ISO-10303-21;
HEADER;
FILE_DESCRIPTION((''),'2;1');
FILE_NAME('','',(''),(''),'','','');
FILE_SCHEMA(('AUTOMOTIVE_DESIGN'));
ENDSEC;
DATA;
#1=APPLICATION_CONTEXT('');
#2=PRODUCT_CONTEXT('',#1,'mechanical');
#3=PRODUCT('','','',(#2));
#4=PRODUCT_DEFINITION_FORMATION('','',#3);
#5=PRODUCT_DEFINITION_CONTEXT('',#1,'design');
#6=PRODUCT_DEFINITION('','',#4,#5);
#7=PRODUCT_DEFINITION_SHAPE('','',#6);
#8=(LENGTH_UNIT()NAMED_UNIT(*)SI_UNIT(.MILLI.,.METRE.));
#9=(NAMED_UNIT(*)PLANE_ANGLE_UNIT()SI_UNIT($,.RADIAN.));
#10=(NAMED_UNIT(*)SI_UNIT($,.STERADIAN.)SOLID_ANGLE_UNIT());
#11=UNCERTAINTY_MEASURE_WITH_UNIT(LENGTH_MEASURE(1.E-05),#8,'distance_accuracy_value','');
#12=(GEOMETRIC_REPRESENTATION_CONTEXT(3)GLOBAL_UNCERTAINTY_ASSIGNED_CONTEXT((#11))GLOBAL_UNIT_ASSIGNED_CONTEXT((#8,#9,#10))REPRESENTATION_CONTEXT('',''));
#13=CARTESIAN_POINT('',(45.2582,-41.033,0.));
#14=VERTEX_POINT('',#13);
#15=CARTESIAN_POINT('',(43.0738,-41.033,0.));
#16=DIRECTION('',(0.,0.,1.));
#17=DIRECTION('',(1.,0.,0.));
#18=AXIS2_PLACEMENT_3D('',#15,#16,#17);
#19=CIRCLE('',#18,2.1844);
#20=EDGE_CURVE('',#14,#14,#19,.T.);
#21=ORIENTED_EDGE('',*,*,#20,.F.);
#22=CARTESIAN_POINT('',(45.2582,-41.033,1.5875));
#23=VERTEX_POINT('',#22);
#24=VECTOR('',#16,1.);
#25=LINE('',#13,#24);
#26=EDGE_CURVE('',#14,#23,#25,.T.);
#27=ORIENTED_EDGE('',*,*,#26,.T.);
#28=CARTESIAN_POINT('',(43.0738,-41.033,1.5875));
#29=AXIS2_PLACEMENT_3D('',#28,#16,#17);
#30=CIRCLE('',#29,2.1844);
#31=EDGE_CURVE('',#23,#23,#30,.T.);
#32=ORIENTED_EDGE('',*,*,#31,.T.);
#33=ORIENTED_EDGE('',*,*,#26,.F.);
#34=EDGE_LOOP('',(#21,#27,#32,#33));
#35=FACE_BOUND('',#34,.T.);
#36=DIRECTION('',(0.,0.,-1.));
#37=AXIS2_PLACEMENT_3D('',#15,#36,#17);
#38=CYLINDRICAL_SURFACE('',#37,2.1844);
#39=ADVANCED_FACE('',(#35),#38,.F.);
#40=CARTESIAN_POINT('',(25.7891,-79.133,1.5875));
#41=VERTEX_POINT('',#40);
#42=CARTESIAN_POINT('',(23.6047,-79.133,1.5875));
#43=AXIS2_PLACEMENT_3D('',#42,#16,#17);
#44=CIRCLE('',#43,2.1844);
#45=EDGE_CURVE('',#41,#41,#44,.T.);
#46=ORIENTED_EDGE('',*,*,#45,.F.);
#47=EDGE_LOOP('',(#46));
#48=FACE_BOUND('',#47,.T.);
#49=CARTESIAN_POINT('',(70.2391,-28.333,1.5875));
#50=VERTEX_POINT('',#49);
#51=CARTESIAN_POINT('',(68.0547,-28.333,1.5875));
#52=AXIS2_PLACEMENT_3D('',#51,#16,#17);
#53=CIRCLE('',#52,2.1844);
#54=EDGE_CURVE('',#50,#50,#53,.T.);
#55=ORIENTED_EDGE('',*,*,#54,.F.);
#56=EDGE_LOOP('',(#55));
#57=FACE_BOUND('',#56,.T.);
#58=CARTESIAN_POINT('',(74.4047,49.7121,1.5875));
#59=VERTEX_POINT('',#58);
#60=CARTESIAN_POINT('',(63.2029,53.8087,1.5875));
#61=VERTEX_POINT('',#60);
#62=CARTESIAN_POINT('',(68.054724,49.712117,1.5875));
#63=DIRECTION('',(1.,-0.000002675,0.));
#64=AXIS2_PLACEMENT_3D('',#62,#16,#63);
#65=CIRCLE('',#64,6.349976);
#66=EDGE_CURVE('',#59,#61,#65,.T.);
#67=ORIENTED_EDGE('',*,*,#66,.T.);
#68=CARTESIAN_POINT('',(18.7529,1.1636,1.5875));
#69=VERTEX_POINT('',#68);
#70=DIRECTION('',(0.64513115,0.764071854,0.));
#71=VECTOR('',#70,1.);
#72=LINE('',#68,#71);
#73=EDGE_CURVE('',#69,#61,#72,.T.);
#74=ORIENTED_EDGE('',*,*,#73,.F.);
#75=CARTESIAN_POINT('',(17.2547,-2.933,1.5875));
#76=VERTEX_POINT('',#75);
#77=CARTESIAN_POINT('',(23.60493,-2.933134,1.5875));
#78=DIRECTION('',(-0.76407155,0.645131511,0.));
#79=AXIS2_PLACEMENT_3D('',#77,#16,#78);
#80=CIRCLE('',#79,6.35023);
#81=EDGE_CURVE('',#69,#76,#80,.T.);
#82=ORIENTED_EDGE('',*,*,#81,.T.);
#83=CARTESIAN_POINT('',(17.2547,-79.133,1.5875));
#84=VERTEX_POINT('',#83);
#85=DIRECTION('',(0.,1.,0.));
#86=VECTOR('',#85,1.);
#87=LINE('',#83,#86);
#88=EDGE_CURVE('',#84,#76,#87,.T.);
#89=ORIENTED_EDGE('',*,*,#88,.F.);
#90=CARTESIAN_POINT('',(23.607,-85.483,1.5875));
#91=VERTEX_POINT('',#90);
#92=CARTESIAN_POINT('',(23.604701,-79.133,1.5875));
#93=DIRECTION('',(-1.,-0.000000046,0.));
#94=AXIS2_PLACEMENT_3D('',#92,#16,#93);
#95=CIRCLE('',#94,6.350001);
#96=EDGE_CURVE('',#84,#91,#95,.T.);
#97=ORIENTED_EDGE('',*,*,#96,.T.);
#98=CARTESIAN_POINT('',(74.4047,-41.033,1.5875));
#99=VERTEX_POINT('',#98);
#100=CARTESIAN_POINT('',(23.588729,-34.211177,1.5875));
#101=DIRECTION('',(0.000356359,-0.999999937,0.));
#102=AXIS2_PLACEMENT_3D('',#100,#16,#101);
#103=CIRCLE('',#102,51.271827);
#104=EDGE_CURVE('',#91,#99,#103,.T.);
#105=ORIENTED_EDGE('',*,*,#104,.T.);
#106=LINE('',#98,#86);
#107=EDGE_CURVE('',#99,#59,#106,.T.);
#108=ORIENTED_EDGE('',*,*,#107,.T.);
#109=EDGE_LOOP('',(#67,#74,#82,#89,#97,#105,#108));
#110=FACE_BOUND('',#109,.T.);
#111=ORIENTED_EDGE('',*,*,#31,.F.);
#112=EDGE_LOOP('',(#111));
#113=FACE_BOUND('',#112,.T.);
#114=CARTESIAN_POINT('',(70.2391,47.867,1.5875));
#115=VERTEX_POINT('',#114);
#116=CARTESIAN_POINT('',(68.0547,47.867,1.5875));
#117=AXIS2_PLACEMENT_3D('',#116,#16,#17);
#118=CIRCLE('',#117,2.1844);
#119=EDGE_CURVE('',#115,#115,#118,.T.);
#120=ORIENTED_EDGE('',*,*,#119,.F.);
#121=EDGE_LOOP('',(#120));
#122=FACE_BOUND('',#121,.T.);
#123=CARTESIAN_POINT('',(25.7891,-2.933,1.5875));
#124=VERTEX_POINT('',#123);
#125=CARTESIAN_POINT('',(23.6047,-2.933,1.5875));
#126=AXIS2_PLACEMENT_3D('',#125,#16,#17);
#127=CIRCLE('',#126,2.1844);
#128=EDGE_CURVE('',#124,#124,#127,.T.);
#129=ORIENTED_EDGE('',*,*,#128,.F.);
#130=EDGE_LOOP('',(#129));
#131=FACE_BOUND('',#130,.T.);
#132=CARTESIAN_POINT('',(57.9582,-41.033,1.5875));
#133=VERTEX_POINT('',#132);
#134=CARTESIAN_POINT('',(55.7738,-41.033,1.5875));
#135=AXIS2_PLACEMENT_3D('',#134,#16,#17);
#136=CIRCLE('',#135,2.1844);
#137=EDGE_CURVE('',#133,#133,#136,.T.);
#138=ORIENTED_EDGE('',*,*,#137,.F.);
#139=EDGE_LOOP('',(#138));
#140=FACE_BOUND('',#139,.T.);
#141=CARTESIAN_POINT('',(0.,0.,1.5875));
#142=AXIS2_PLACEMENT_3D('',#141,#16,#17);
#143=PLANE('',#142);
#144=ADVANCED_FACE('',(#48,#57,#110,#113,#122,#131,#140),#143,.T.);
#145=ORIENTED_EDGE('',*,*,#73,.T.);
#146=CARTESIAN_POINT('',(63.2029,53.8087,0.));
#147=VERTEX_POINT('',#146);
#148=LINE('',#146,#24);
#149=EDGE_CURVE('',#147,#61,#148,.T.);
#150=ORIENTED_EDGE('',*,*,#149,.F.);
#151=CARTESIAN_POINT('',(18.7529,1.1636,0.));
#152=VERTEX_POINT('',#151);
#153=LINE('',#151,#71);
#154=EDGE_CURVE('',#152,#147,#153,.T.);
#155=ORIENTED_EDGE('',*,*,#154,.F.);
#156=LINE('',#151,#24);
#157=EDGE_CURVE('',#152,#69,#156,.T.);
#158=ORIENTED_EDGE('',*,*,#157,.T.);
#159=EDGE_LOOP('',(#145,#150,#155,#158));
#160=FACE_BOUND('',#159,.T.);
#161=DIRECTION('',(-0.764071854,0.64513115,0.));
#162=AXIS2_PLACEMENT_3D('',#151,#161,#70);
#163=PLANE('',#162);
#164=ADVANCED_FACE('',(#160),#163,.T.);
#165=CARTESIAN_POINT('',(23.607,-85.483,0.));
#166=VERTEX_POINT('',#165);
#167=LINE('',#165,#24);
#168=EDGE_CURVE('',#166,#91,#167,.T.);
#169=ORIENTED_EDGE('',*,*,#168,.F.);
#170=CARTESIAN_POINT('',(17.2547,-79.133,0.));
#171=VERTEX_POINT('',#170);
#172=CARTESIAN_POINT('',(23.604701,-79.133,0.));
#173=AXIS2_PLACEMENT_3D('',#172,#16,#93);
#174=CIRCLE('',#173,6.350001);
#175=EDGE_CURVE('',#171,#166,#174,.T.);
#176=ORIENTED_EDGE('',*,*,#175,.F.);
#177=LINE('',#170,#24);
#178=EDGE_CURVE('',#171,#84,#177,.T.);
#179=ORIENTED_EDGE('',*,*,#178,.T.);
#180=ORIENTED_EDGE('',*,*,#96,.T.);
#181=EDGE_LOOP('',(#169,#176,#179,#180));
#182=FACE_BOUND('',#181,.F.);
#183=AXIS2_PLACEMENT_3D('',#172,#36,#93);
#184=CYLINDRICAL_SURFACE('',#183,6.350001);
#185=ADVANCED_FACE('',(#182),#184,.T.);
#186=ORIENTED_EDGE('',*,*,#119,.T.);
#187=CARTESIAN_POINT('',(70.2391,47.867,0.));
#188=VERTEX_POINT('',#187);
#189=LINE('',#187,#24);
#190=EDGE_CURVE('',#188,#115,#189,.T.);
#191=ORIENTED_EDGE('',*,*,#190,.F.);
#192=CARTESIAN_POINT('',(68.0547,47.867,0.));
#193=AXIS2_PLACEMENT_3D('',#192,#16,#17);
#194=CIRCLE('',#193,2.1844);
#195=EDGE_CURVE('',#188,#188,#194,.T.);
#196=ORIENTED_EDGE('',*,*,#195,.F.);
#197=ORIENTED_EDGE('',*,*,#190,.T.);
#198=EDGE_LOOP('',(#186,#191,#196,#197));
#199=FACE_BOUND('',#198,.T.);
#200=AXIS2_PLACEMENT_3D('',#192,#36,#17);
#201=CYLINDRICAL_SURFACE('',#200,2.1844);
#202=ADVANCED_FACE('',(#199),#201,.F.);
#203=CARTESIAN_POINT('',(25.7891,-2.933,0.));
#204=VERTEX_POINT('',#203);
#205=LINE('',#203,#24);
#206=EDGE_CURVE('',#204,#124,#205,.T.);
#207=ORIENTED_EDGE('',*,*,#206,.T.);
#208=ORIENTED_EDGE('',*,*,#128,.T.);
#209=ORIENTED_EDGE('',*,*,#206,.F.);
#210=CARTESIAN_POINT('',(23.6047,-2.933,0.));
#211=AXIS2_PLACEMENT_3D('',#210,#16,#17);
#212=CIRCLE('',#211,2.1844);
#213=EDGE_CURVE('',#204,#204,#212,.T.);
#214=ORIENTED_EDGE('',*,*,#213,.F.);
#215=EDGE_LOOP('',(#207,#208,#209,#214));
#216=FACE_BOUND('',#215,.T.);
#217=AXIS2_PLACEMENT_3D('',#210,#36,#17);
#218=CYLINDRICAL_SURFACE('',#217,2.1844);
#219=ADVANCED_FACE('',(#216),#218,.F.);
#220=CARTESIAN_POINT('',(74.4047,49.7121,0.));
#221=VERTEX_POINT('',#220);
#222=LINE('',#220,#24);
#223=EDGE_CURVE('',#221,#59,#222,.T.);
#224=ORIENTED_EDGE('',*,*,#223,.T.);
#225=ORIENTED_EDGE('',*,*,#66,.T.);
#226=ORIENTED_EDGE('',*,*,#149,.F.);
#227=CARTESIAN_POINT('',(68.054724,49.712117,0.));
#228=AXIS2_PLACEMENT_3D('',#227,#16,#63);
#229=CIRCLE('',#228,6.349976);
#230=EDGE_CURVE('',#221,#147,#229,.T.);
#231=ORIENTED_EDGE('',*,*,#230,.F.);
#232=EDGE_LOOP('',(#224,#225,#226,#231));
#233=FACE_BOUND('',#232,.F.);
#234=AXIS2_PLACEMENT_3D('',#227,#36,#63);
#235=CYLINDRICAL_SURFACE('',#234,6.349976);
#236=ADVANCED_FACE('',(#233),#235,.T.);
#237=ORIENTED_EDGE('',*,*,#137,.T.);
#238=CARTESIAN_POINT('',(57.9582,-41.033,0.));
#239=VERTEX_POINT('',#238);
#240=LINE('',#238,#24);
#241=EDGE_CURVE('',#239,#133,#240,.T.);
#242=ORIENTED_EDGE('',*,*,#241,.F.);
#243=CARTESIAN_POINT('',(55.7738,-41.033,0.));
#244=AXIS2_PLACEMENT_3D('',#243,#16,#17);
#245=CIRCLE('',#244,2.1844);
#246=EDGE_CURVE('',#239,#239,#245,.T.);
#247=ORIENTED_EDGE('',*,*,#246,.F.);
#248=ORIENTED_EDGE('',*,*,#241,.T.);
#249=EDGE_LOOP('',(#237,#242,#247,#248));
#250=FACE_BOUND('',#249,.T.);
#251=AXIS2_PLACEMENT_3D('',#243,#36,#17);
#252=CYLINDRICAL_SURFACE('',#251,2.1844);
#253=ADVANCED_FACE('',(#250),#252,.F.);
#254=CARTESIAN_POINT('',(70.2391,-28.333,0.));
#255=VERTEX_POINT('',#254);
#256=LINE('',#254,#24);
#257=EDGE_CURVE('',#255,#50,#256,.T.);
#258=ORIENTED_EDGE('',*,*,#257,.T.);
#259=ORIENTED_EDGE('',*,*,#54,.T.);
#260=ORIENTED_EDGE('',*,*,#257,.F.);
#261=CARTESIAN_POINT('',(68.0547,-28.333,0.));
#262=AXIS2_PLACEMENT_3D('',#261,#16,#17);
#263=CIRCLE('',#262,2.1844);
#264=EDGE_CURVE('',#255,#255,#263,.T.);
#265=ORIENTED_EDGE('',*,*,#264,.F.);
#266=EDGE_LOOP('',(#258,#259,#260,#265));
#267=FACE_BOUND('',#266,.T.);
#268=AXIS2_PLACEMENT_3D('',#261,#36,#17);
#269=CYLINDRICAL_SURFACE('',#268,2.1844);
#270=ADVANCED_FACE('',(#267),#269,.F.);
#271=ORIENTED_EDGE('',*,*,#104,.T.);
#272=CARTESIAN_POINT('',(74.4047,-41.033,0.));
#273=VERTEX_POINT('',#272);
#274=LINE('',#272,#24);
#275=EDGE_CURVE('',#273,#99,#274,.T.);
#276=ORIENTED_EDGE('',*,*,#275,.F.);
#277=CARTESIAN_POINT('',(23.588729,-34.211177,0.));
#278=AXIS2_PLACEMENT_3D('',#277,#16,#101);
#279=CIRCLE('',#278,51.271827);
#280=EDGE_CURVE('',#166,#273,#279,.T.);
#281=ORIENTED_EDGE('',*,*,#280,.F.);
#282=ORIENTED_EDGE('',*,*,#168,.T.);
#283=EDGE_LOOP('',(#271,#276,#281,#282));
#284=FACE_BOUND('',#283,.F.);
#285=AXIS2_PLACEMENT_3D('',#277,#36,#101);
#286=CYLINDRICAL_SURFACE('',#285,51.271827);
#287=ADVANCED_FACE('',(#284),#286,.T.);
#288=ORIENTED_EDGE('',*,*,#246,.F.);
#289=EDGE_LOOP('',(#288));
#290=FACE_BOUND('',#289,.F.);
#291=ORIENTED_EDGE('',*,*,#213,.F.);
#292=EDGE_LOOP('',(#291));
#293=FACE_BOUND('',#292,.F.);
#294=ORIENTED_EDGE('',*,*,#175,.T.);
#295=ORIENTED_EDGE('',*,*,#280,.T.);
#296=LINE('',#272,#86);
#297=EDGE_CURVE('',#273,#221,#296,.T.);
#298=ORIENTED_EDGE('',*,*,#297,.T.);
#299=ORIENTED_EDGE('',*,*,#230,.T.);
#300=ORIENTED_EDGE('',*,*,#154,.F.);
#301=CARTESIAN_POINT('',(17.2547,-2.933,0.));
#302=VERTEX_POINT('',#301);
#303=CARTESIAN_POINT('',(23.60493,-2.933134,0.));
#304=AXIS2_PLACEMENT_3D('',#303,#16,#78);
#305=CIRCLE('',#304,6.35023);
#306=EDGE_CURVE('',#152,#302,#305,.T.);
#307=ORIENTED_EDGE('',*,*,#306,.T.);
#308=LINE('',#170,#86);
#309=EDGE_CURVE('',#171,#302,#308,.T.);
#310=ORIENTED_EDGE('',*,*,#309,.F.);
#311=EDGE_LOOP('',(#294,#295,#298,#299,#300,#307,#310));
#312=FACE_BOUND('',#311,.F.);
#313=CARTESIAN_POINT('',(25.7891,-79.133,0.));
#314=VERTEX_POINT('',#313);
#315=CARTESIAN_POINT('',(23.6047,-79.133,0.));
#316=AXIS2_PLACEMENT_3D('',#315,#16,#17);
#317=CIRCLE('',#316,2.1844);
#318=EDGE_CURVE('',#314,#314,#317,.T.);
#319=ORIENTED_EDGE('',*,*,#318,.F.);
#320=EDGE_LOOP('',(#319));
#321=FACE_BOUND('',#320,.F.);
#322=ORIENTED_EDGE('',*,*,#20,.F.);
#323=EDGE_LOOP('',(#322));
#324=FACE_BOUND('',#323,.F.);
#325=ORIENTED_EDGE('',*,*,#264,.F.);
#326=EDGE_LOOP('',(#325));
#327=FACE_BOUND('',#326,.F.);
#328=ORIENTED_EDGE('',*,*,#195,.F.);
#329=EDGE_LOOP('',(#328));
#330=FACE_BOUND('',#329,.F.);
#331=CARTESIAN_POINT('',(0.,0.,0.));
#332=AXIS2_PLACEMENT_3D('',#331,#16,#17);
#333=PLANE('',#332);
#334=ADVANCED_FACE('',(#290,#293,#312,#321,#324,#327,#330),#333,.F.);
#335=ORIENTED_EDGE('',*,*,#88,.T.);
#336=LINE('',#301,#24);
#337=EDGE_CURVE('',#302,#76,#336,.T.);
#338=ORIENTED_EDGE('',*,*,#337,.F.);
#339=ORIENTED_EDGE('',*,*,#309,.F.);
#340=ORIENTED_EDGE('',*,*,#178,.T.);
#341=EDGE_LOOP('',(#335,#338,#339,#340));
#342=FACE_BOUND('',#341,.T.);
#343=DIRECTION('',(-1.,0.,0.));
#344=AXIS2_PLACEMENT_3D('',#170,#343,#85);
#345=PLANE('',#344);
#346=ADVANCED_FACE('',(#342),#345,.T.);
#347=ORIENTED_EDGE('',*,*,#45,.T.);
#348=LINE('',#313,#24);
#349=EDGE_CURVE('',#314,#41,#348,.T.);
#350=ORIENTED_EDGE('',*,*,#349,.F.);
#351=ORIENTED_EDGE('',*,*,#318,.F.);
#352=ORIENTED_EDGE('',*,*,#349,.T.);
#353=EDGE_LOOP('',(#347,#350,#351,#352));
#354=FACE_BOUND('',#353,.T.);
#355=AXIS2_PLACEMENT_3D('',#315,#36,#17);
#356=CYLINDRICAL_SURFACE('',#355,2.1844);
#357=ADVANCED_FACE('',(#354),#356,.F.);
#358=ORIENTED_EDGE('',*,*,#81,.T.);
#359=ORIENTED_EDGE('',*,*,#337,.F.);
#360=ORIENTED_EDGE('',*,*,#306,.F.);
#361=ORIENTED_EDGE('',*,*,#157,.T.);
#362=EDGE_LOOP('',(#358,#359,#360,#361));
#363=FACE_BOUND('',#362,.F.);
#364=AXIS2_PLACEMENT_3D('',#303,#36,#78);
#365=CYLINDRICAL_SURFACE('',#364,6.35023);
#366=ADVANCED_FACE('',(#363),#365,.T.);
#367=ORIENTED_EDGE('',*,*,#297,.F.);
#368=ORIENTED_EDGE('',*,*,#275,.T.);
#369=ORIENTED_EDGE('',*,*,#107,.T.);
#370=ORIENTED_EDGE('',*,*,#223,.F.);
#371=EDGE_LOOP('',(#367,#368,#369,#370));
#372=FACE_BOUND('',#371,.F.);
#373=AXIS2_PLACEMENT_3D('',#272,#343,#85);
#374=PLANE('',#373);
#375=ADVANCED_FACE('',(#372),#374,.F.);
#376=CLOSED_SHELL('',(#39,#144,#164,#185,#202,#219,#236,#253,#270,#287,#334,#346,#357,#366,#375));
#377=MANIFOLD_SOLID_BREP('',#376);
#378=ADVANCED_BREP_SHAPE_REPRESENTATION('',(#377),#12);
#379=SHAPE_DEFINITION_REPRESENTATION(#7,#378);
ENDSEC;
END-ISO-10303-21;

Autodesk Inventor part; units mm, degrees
ref_plane "YZ Plane" through (0, 0, 0) normal (1, 0, 0) x (0, 1, 0)
ref_plane "XZ Plane" through (0, 0, 0) normal (0, 1, 0) x (-1, 0, 0)
ref_plane "XY Plane" through (0, 0, 0) normal (0, 0, 1) x (1, 0, 0)
sketch "Sketch1" plane through (0, 0, 0) normal (0, 0, 1) x (1, 0, 0)
  circle A0 centre (23.6047, -79.133) radius 2.1844
  circle A1 centre (23.6047, -2.933) radius 2.1844
  circle A2 centre (43.0738, -41.033) radius 2.1844
  circle A3 centre (55.7738, -41.033) radius 2.1844
  arc A4 (18.7529, 1.1636) -> (17.2547, -2.933) centre (23.6047, -2.933) ccw
  arc A5 (17.2547, -79.133) -> (23.607, -85.483) centre (23.6047, -79.133) ccw
  arc A6 (23.607, -85.483) -> (74.4047, -41.033) centre (23.5887, -34.2111) ccw
  line L0 (18.7529, 1.1636) -> (63.2029, 53.8087)
  line L1 (63.2029, 53.8087) -> (18.7529, 1.1636)
  line L2 (63.2029, 53.8087) -> (18.7529, 1.1636)
  line L3 (74.4047, -41.033) -> (74.4047, 49.7121)
  arc A7 (74.4047, 49.7121) -> (63.2029, 53.8087) centre (68.0547, 49.7121) ccw
  line L4 (17.2547, -79.133) -> (17.2547, -2.933)
  circle A8 centre (68.0547, -28.333) radius 2.1844
  circle A9 centre (68.0547, 47.867) radius 2.1844
  dimension "d12" = 12.7
  dimension "d13" = 12.7
  dimension "d14" = 6.35
  dimension "d15" = 4.3688
  dimension "d16" = 4.3688
extrude "Extrusion1" add sketch "Sketch1" along normal blind 1.5875
equation "\"BendRadius\" = Thickness"
equation "\"BendReliefWidth\" = Thickness"
equation "\"BendReliefDepth\" = 0.5 * Thickness"
equation "\"CornerReliefSize\" = 4 * Thickness"
equation "\"MinimumRemnant\" = 2 * Thickness"
equation "\"TransitionRadius\" = BendRadius"
equation "\"JacobiRadiusSize\" = BendRadius"
equation "\"GapSize\" = Thickness"
equation "\"Thickness\" = 1.5875"
properties part number "sled" material "Acetal Resin, White"
